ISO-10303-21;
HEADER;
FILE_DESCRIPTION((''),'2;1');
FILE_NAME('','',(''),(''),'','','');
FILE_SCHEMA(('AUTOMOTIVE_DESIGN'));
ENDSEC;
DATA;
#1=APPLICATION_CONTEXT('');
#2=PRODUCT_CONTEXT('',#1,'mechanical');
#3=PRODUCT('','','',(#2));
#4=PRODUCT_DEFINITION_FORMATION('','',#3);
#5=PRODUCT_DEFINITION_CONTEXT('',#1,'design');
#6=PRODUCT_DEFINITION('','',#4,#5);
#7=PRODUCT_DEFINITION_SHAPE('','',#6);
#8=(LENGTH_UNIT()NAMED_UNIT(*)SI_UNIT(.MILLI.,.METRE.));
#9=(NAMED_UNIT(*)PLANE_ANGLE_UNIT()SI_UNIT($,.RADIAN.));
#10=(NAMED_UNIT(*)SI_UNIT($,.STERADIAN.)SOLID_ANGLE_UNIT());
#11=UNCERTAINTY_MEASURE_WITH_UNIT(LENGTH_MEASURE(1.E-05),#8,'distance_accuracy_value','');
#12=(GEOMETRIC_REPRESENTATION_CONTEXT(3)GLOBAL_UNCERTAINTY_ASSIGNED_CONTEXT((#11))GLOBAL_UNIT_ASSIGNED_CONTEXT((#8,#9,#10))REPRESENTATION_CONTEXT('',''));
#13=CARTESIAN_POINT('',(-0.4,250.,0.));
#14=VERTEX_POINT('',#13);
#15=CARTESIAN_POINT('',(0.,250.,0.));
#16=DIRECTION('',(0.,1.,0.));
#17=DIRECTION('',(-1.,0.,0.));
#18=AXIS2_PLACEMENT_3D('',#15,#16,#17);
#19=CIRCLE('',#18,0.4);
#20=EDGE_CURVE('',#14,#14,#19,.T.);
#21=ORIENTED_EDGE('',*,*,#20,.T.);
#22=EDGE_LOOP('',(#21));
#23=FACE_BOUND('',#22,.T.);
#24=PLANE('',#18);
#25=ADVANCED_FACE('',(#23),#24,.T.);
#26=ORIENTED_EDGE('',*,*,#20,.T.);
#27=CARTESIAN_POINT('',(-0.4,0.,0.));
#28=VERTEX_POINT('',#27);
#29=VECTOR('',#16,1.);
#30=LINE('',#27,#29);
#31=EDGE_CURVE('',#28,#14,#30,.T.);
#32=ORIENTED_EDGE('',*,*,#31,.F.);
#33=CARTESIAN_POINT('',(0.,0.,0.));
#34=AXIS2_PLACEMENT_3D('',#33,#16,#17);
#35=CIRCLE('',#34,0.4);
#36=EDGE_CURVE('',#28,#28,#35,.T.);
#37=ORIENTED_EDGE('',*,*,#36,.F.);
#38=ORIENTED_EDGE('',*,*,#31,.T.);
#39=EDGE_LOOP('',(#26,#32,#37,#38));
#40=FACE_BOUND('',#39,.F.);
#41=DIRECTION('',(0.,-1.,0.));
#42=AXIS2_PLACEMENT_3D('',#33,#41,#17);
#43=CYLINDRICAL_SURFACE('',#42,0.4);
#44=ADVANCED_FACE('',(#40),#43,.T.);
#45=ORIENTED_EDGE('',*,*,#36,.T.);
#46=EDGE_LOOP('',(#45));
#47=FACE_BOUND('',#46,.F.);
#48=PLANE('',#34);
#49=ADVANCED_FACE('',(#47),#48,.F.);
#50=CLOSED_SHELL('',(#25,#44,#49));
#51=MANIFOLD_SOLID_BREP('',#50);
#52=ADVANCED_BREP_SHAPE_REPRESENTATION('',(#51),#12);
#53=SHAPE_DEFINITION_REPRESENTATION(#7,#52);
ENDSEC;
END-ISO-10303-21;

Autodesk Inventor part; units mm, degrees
ref_plane "YZ Plane" through (0, 0, 0) normal (1, 0, 0) x (0, 1, 0)
ref_plane "XZ Plane" through (0, 0, 0) normal (0, 1, 0) x (-1, 0, 0)
ref_plane "XY Plane" through (0, 0, 0) normal (0, 0, 1) x (1, 0, 0)
sketch "Skizze1" plane through (0, 0, 0) normal (0, 1, 0) x (-1, 0, 0)
  circle A0 centre (0, 0) radius 0.4
  dimension "d0" = 0.8
extrude "Extrusion1" add sketch "Skizze1" along normal blind 250
properties part number "WireAnode" material "Aluminium 6061"
